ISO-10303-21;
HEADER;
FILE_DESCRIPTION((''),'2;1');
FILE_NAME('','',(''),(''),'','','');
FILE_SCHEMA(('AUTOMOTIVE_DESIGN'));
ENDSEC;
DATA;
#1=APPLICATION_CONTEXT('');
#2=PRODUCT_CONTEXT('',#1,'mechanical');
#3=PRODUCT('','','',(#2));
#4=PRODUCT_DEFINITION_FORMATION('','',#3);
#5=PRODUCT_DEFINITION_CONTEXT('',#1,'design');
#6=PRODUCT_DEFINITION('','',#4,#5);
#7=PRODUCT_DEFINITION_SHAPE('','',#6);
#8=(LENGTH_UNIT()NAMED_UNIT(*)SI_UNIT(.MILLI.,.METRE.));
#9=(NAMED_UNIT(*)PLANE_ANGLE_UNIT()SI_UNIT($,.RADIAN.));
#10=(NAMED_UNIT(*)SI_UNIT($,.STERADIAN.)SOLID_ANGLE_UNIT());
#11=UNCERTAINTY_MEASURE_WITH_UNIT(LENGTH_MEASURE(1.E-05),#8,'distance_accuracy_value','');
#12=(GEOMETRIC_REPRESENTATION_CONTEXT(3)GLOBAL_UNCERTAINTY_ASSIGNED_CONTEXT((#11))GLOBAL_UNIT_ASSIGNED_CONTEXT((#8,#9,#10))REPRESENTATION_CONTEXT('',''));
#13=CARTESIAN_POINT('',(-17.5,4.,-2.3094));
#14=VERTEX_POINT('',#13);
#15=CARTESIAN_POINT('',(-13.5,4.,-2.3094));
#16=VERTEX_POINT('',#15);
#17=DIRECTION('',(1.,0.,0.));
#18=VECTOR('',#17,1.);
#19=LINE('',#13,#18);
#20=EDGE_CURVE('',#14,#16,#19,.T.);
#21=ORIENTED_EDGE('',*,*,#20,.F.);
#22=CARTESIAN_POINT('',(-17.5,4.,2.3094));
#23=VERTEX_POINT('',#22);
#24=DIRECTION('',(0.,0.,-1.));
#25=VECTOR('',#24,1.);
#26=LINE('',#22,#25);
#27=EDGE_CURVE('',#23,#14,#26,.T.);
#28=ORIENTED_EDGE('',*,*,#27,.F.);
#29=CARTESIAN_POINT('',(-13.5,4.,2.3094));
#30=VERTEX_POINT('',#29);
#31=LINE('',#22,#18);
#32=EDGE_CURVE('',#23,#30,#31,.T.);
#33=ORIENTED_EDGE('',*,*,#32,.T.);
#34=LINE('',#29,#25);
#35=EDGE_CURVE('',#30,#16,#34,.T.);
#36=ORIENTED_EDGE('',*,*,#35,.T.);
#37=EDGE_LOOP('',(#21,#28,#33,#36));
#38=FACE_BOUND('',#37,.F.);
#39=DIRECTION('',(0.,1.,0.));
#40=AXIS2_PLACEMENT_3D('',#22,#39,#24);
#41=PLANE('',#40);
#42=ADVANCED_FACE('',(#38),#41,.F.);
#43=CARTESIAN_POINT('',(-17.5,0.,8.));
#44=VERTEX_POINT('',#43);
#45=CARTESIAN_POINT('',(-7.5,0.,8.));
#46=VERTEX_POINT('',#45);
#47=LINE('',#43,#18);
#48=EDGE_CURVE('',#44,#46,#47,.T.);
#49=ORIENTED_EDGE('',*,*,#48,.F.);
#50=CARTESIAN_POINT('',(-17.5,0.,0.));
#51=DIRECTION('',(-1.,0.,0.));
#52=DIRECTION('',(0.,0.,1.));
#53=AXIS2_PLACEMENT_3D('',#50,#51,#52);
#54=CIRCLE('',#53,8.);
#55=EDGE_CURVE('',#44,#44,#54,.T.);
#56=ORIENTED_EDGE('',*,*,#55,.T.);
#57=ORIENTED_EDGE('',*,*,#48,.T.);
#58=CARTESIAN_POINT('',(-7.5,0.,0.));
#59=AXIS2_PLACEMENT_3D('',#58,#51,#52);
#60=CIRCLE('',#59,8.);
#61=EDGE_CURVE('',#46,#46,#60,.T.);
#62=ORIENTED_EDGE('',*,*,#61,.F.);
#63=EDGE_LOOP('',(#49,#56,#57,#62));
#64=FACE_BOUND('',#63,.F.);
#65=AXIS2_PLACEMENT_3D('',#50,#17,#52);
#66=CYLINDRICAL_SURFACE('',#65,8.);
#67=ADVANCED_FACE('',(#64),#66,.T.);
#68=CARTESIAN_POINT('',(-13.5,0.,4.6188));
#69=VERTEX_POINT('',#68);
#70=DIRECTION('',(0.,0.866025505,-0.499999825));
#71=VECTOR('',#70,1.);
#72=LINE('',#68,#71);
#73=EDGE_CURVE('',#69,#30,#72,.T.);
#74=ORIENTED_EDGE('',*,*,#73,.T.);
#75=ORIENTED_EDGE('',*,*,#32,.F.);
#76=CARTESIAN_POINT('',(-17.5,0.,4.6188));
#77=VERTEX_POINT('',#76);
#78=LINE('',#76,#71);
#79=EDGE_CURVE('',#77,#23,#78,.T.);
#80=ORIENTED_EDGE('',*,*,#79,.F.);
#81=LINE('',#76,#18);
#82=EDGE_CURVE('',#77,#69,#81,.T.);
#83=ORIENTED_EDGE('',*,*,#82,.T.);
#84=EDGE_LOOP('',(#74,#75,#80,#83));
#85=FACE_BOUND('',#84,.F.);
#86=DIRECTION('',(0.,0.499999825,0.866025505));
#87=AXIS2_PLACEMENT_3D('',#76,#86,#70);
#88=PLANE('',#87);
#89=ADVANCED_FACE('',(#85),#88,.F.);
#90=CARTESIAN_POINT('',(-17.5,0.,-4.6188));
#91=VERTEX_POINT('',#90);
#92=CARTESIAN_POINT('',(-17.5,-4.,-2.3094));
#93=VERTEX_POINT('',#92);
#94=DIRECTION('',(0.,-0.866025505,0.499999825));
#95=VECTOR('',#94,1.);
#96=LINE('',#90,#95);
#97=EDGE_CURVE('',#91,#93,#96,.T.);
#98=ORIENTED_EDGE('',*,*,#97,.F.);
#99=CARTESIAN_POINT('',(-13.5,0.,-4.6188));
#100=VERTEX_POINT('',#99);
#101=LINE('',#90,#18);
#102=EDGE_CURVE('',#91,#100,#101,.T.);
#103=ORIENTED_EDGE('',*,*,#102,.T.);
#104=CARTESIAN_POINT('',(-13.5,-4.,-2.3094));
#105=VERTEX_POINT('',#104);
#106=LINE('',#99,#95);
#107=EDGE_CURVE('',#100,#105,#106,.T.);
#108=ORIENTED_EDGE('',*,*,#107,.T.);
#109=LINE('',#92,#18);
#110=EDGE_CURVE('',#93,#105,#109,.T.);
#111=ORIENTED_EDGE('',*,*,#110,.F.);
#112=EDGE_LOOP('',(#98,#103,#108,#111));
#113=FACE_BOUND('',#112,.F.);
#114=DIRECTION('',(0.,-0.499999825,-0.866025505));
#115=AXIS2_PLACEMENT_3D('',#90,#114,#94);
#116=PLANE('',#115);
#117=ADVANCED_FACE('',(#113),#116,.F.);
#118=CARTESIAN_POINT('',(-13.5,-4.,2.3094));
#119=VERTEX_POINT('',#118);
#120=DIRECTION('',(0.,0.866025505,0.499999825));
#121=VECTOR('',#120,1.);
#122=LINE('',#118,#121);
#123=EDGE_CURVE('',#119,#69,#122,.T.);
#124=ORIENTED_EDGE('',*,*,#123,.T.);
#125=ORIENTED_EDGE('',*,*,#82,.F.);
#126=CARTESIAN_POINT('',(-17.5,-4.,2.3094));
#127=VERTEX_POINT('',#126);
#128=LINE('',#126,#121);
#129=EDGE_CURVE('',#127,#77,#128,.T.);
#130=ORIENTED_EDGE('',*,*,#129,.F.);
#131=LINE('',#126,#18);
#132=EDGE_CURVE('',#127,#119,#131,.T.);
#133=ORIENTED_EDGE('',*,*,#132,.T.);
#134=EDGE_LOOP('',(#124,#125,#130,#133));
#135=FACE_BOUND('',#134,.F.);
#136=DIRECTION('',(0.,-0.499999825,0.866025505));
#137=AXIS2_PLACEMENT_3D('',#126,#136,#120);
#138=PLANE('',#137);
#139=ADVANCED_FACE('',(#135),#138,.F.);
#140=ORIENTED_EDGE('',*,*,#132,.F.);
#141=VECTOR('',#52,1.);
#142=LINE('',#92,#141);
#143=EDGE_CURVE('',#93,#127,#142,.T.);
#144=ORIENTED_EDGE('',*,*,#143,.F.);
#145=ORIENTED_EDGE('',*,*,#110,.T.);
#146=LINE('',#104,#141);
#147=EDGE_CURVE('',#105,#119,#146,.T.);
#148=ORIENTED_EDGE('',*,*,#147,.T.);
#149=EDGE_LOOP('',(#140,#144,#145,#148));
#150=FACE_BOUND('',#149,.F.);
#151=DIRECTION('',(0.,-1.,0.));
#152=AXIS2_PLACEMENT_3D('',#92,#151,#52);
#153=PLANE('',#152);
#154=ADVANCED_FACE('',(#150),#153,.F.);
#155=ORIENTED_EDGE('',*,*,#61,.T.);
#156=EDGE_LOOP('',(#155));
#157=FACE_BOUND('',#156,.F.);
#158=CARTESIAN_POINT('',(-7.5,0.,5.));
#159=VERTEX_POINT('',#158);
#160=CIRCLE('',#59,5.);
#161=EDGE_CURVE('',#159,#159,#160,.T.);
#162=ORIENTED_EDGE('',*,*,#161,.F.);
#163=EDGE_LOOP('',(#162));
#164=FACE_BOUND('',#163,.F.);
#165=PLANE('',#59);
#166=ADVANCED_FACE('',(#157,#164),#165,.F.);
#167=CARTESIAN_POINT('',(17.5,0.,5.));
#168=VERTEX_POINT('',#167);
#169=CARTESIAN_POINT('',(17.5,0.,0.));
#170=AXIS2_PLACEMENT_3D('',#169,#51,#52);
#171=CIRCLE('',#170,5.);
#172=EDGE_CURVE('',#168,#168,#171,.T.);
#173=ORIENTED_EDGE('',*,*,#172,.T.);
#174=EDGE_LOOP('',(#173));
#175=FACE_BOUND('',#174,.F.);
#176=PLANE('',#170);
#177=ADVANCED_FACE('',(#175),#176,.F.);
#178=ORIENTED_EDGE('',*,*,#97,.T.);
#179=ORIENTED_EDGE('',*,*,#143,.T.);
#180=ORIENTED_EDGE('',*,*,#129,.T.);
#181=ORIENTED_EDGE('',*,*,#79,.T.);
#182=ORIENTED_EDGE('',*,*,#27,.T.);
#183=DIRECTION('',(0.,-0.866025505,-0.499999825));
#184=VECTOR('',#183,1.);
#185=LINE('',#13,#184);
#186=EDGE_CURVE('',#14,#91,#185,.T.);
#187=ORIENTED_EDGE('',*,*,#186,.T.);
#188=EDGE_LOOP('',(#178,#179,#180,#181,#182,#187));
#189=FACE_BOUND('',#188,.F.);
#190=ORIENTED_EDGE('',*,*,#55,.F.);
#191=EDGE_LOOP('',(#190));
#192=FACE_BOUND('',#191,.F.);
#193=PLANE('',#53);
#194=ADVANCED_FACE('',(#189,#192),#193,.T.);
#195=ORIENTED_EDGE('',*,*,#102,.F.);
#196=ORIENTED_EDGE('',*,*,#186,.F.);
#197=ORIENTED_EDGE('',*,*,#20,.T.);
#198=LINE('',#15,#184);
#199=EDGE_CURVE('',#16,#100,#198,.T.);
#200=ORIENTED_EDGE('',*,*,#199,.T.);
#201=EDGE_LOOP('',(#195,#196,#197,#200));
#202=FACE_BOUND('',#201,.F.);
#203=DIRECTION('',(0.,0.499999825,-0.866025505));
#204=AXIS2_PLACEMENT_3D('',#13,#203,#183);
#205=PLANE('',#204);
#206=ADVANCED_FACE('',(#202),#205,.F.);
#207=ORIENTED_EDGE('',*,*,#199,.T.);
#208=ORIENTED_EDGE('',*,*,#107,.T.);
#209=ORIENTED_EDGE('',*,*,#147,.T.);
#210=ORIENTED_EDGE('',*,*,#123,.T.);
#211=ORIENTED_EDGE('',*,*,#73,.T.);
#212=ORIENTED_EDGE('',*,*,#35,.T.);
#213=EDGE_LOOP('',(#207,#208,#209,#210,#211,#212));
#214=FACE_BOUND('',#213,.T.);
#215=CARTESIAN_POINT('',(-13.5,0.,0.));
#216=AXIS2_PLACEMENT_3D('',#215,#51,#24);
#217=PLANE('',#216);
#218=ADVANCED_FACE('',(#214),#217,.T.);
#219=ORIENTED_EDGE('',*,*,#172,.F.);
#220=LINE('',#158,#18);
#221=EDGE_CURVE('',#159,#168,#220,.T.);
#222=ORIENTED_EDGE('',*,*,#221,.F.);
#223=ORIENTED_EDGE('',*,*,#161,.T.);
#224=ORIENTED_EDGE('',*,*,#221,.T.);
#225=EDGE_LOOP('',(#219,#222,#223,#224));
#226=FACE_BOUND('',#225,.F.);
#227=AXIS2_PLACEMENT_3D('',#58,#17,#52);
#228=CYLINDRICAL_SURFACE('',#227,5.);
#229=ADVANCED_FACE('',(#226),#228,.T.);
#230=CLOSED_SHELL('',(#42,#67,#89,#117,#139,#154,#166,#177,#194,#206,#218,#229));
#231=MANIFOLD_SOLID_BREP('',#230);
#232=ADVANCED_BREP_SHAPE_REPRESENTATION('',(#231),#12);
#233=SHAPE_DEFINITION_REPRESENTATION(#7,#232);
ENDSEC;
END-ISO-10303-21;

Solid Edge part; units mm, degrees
sketch "Sketch1" plane through (10.8674, 0, 10.8674) normal (0, -1, 0) x (1, 0, 0)
  line L0 (-28.3674, -10.8674) -> (-28.3674, -2.8674)
  line L1 (-28.3674, -2.8674) -> (-18.3674, -2.8674)
  line L2 (-18.3674, -2.8674) -> (-18.3674, -5.8674)
  line L3 (-18.3674, -5.8674) -> (6.6326, -5.8674)
  line L4 (6.6326, -5.8674) -> (6.6326, -10.8674)
  dimension "D1" = 10
  dimension "D2" = 25
revolve "RevolvedProtrusion1" add sketch "Sketch1" angle 360 about axis through (16.5, 0, 0) along (-1, 0, 0)
sketch "Sketch2" plane through (-17.5, 0, 0) normal (-1, 0, 0) x (0, 0, -1)
  line L0 (4.6188, 0) -> (2.3094, 4)
  line L1 (2.3094, 4) -> (-2.3094, 4)
  line L2 (-2.3094, 4) -> (-4.6188, 0)
  line L3 (-4.6188, 0) -> (-2.3094, -4)
  line L4 (-2.3094, -4) -> (2.3094, -4)
  line L5 (2.3094, -4) -> (4.6188, 0)
  dimension "D1" = 8
extrude "Cutout1" cut sketch "Sketch2" against normal blind 4
cosmetic_thread "Thread1" size "M10"
properties material "Steel"
